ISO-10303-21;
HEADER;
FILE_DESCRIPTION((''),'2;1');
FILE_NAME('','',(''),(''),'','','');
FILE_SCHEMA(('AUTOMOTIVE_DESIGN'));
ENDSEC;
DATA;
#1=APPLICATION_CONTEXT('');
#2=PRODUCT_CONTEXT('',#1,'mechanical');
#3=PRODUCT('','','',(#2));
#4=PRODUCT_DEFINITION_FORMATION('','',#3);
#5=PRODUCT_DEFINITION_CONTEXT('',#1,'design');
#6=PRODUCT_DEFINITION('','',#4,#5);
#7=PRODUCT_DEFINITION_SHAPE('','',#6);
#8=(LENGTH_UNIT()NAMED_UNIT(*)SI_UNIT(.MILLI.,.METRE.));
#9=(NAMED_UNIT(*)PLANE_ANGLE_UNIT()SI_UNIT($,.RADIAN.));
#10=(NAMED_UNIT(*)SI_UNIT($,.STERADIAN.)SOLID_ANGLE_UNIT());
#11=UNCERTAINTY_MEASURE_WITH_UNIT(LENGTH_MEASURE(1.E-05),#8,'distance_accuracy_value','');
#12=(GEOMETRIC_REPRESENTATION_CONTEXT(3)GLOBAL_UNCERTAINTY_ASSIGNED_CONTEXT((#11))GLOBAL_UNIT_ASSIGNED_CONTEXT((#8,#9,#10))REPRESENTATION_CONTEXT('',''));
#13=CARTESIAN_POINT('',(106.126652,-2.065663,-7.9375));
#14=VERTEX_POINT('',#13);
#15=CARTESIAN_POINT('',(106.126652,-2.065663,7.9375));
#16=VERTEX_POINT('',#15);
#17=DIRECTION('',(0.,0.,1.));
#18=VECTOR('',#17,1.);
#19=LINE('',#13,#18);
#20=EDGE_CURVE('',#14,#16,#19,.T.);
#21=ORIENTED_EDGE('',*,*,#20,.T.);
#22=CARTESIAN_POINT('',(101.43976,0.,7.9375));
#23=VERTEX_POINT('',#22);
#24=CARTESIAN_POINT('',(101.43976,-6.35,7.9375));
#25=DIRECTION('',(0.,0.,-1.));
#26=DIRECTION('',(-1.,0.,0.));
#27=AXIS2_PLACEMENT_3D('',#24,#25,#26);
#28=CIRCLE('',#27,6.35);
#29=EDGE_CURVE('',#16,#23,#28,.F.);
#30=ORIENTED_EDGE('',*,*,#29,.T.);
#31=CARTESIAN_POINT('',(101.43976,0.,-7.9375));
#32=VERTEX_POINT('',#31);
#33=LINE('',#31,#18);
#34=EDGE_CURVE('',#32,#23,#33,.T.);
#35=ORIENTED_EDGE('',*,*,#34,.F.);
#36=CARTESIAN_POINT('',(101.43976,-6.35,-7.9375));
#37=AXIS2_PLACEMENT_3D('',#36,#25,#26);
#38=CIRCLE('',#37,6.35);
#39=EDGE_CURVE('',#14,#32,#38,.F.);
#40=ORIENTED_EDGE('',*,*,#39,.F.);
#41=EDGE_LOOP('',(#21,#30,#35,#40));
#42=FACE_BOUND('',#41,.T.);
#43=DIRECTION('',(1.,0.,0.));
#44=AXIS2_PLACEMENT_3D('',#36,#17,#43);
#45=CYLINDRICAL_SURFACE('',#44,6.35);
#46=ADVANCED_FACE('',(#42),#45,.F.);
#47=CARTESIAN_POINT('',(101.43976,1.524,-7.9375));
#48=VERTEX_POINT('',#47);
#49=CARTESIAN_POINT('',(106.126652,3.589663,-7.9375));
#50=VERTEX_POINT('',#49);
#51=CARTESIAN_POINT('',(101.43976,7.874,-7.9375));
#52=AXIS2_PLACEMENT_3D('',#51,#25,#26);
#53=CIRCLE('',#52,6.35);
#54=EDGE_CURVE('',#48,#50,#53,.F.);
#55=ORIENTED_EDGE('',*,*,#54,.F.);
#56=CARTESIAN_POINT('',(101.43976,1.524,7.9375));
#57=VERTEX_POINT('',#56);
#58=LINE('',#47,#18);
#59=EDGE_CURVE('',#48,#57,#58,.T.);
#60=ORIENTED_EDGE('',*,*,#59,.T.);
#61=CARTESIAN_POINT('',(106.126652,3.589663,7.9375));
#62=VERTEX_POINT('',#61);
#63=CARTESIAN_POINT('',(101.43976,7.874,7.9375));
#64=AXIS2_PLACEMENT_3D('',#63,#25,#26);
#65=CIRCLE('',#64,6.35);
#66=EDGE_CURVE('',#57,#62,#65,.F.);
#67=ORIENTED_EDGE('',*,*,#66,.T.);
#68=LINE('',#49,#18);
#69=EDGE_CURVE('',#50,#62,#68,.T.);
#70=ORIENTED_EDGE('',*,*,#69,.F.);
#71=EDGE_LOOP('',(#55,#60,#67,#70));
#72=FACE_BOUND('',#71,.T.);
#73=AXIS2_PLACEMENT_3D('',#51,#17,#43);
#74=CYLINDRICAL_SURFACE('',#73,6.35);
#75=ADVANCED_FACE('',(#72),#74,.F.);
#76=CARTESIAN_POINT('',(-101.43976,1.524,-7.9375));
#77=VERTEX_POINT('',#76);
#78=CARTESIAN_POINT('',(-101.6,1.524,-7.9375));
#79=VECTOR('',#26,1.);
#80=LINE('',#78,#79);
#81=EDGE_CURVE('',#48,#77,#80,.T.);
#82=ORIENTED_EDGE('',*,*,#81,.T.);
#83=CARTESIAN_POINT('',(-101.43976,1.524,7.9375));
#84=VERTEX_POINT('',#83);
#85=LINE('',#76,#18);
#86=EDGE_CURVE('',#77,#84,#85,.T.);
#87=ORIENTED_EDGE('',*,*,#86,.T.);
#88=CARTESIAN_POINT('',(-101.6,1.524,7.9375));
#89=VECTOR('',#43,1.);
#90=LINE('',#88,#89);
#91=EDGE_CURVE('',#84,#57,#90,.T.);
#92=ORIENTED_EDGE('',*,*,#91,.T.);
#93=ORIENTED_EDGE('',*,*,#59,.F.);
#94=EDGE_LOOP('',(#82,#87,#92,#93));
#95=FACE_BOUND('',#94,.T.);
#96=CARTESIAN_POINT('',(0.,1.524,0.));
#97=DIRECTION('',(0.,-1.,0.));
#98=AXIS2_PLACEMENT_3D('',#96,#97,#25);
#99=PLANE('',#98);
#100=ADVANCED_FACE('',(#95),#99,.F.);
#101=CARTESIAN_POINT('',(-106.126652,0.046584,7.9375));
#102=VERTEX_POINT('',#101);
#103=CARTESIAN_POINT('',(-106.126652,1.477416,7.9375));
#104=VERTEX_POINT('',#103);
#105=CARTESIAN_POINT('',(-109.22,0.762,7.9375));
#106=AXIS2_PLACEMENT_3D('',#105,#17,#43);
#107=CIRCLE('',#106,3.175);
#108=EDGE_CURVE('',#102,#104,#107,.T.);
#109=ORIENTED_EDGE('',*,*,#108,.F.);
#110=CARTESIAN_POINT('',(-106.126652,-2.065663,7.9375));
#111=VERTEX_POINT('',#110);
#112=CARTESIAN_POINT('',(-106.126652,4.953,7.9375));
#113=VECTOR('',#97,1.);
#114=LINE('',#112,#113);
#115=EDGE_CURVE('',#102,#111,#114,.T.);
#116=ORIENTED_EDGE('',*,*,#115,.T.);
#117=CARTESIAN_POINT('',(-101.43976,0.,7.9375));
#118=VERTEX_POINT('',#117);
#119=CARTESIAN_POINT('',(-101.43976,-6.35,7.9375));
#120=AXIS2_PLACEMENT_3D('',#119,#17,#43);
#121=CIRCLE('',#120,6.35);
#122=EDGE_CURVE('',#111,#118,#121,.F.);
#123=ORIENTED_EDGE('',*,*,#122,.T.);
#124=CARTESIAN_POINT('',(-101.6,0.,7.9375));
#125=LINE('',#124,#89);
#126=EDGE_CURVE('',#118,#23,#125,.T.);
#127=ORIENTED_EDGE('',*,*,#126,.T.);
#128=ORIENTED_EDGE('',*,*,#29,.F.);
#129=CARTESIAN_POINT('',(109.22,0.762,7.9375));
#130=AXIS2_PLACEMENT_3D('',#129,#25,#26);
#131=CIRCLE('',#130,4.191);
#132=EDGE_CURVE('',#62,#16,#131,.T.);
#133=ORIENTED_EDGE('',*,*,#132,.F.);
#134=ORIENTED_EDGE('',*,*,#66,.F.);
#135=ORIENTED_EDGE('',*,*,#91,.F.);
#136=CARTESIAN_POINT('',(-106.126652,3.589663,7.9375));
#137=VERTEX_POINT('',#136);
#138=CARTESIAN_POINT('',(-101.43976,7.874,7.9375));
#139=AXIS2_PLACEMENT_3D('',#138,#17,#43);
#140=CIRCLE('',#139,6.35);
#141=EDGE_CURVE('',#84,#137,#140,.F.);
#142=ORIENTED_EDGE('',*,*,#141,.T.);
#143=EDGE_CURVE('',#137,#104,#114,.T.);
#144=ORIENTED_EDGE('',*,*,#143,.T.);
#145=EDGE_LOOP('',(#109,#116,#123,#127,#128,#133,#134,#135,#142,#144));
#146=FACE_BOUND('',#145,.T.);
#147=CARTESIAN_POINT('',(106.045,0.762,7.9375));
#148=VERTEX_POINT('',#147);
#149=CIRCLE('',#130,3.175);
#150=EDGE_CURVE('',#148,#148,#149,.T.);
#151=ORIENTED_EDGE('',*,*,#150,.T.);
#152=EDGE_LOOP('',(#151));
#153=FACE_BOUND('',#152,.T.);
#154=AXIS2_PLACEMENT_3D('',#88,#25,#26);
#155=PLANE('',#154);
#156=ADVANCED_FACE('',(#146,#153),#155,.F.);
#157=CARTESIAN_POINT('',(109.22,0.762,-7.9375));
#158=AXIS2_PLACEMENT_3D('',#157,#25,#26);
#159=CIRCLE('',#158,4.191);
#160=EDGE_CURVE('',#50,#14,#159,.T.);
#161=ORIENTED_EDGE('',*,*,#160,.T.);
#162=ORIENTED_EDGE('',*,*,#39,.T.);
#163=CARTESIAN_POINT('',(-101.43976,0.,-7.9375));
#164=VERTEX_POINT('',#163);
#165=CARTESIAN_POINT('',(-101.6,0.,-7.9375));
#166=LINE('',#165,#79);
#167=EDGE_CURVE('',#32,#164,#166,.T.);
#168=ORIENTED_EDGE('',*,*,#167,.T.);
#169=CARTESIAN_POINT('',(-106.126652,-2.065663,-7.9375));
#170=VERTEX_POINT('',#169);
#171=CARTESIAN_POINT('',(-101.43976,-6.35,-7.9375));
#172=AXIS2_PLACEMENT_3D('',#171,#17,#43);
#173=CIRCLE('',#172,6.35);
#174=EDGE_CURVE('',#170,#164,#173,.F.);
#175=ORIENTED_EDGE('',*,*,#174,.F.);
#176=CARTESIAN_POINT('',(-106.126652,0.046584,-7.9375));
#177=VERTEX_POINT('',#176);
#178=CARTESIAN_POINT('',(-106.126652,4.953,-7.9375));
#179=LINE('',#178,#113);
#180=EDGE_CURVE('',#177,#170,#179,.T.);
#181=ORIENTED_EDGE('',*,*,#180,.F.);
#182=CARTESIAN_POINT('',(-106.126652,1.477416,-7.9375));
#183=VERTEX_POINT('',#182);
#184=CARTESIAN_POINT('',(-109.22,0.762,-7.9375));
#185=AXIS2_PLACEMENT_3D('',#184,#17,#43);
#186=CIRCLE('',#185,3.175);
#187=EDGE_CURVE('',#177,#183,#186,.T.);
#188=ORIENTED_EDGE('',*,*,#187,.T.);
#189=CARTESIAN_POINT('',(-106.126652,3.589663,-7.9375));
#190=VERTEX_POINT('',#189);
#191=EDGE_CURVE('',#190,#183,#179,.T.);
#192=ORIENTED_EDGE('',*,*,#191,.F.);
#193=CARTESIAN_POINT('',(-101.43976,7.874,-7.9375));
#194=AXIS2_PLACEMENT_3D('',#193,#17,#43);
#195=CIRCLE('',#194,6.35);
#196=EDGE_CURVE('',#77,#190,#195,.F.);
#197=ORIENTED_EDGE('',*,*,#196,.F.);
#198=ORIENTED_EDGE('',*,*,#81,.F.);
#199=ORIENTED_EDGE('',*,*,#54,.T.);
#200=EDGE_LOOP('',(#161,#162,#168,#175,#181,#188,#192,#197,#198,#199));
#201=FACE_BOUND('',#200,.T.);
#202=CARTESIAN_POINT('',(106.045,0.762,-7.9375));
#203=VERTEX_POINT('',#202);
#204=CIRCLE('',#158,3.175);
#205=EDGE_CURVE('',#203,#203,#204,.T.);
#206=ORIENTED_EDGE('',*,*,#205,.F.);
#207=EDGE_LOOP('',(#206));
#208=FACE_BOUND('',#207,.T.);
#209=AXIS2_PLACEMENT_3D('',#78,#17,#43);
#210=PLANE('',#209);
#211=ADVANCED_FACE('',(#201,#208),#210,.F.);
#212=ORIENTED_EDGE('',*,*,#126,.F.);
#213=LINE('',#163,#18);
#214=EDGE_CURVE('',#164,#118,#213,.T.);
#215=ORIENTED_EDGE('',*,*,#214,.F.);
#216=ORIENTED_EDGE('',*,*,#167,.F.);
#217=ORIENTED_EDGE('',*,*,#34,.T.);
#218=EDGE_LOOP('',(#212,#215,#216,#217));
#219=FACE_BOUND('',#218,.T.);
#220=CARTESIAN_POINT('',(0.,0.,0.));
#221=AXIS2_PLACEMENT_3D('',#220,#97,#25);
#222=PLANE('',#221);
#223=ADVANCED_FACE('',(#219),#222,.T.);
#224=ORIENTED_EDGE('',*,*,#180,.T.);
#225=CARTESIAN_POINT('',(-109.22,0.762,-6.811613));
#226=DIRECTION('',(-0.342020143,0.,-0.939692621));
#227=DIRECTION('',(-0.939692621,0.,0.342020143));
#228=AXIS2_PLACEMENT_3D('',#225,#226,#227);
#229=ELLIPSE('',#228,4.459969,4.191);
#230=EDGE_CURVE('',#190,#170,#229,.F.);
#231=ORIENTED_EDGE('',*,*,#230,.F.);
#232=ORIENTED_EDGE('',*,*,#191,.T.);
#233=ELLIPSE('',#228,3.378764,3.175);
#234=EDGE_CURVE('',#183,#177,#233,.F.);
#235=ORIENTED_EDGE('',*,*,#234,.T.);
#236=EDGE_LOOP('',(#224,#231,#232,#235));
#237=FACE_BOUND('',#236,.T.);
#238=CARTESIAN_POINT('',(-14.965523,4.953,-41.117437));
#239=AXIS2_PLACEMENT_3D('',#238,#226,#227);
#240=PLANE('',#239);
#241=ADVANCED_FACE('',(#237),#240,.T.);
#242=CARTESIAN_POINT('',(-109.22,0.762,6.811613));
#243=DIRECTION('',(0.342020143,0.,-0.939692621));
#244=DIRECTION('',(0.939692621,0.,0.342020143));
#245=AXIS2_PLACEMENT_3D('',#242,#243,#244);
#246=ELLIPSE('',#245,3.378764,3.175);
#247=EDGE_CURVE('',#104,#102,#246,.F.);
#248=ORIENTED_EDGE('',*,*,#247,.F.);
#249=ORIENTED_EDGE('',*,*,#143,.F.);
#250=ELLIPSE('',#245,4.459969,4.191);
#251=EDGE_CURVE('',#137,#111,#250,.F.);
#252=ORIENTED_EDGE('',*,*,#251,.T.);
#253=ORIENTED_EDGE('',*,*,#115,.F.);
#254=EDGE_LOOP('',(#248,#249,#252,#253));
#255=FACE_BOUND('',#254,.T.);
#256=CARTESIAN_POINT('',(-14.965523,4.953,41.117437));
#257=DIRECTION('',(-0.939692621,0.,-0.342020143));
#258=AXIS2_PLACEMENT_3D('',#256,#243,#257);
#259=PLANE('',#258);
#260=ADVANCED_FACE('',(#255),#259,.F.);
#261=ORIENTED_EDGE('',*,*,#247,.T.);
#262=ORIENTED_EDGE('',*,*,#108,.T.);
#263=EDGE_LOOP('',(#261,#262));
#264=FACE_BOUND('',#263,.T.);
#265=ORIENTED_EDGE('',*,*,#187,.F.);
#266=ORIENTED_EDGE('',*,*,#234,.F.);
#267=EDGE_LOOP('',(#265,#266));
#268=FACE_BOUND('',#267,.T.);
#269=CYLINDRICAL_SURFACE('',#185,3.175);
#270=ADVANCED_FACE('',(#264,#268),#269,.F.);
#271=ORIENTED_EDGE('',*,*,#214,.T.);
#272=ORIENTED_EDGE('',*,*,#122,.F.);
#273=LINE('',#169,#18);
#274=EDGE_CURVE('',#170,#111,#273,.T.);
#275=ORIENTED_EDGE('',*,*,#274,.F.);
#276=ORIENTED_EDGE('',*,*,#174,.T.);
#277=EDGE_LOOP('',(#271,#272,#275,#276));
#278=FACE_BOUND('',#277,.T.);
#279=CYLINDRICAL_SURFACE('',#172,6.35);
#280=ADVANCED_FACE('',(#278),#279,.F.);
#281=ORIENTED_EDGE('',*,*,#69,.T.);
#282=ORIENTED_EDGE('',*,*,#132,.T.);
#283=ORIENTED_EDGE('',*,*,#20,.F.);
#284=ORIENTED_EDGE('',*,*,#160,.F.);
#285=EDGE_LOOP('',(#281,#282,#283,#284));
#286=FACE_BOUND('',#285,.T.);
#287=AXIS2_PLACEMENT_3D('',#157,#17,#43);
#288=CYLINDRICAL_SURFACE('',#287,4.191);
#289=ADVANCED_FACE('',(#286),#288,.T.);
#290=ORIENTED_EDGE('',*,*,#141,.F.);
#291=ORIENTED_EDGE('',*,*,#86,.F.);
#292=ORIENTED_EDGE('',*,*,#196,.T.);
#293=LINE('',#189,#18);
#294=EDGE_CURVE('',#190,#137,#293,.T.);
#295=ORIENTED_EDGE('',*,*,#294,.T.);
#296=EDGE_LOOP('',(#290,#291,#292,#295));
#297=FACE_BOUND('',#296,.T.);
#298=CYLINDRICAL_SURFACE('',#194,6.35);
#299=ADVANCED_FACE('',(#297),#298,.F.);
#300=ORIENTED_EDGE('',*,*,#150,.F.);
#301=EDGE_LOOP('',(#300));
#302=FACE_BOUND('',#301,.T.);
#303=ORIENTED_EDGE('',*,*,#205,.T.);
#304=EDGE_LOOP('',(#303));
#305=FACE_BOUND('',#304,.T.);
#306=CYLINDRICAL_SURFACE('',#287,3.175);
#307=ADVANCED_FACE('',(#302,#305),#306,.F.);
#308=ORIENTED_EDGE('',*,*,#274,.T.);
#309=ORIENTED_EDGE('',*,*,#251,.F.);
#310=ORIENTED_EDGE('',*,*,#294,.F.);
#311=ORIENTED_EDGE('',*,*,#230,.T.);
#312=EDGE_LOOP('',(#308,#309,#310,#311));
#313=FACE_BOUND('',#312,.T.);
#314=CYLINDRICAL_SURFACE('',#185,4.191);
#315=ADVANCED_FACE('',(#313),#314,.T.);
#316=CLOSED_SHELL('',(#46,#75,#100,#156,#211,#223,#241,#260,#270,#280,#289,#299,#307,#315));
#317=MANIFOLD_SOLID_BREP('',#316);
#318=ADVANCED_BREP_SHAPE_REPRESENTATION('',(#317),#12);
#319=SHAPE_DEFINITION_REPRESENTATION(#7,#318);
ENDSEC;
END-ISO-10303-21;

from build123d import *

# Parameters (mm, degrees)
SKETCH1_W               = 203.2
SKETCH1_H               = 15.875
BOSS_EXTRUDE1_DEPTH     = 1.524
SKETCH5_R               = 3.175
BOSS_EXTRUDE5_DEPTH     = 15.875
CUT_EXTRUDE1_DEPTH      = 4.429
CUT_EXTRUDE1_DEPTH_BACK = 5.953


with BuildPart() as part:
    # Sketch1 → Boss-Extrude1 (new body)
    with BuildSketch(Plane(origin=(0, 0, 0), x_dir=(1, 0, 0), z_dir=(0, 1, 0))):
        Rectangle(SKETCH1_W, SKETCH1_H)
    extrude(amount=BOSS_EXTRUDE1_DEPTH)

    # Sketch5 → Boss-Extrude5 (add, through all)
    with BuildSketch(Plane.XY.offset(7.9375)):
        with BuildLine():
            ThreePointArc((-106.126651501, -2.065662651), (-104.000712573, -0.539318363), (-101.439759837, 0))
            Line((-101.439759837, 0), (-101.6, 0))
            Line((-101.6, 0), (-101.6, 1.524))
            Line((-101.6, 1.524), (-101.439759837, 1.524))
            ThreePointArc((-101.439759837, 1.524), (-104.000712573, 2.063318363), (-106.126651501, 3.589662651))
            ThreePointArc((-106.126651501, 3.589662651), (-113.411, 0.762), (-106.126651501, -2.065662651))
        make_face()
        with Locations((-109.22, 0.762)):
            Circle(SKETCH5_R, mode=Mode.SUBTRACT)
    boss_extrude5 = extrude(amount=-BOSS_EXTRUDE5_DEPTH)

    # Mirror1: Boss-Extrude5 across plane
    add(boss_extrude5.mirror(Plane(origin=(0, 0, 0), x_dir=(0, 0, 1), z_dir=(1, 0, 0))))

    # Sketch6 → Cut-Extrude1 (cut, two sides)
    with BuildSketch(Plane.XZ) as cut_extrude1_sk:
        Polygon((-113.411, -5.28621397), (-106.126651501, -7.9375), (-113.411, -7.9375), align=None)
        Polygon((-113.411, 7.9375), (-113.411, 5.28621397), (-106.126651501, 7.9375), align=None)
    extrude(amount=CUT_EXTRUDE1_DEPTH, mode=Mode.SUBTRACT)
    extrude(cut_extrude1_sk.sketch, amount=-CUT_EXTRUDE1_DEPTH_BACK, mode=Mode.SUBTRACT)


solid = part.part
